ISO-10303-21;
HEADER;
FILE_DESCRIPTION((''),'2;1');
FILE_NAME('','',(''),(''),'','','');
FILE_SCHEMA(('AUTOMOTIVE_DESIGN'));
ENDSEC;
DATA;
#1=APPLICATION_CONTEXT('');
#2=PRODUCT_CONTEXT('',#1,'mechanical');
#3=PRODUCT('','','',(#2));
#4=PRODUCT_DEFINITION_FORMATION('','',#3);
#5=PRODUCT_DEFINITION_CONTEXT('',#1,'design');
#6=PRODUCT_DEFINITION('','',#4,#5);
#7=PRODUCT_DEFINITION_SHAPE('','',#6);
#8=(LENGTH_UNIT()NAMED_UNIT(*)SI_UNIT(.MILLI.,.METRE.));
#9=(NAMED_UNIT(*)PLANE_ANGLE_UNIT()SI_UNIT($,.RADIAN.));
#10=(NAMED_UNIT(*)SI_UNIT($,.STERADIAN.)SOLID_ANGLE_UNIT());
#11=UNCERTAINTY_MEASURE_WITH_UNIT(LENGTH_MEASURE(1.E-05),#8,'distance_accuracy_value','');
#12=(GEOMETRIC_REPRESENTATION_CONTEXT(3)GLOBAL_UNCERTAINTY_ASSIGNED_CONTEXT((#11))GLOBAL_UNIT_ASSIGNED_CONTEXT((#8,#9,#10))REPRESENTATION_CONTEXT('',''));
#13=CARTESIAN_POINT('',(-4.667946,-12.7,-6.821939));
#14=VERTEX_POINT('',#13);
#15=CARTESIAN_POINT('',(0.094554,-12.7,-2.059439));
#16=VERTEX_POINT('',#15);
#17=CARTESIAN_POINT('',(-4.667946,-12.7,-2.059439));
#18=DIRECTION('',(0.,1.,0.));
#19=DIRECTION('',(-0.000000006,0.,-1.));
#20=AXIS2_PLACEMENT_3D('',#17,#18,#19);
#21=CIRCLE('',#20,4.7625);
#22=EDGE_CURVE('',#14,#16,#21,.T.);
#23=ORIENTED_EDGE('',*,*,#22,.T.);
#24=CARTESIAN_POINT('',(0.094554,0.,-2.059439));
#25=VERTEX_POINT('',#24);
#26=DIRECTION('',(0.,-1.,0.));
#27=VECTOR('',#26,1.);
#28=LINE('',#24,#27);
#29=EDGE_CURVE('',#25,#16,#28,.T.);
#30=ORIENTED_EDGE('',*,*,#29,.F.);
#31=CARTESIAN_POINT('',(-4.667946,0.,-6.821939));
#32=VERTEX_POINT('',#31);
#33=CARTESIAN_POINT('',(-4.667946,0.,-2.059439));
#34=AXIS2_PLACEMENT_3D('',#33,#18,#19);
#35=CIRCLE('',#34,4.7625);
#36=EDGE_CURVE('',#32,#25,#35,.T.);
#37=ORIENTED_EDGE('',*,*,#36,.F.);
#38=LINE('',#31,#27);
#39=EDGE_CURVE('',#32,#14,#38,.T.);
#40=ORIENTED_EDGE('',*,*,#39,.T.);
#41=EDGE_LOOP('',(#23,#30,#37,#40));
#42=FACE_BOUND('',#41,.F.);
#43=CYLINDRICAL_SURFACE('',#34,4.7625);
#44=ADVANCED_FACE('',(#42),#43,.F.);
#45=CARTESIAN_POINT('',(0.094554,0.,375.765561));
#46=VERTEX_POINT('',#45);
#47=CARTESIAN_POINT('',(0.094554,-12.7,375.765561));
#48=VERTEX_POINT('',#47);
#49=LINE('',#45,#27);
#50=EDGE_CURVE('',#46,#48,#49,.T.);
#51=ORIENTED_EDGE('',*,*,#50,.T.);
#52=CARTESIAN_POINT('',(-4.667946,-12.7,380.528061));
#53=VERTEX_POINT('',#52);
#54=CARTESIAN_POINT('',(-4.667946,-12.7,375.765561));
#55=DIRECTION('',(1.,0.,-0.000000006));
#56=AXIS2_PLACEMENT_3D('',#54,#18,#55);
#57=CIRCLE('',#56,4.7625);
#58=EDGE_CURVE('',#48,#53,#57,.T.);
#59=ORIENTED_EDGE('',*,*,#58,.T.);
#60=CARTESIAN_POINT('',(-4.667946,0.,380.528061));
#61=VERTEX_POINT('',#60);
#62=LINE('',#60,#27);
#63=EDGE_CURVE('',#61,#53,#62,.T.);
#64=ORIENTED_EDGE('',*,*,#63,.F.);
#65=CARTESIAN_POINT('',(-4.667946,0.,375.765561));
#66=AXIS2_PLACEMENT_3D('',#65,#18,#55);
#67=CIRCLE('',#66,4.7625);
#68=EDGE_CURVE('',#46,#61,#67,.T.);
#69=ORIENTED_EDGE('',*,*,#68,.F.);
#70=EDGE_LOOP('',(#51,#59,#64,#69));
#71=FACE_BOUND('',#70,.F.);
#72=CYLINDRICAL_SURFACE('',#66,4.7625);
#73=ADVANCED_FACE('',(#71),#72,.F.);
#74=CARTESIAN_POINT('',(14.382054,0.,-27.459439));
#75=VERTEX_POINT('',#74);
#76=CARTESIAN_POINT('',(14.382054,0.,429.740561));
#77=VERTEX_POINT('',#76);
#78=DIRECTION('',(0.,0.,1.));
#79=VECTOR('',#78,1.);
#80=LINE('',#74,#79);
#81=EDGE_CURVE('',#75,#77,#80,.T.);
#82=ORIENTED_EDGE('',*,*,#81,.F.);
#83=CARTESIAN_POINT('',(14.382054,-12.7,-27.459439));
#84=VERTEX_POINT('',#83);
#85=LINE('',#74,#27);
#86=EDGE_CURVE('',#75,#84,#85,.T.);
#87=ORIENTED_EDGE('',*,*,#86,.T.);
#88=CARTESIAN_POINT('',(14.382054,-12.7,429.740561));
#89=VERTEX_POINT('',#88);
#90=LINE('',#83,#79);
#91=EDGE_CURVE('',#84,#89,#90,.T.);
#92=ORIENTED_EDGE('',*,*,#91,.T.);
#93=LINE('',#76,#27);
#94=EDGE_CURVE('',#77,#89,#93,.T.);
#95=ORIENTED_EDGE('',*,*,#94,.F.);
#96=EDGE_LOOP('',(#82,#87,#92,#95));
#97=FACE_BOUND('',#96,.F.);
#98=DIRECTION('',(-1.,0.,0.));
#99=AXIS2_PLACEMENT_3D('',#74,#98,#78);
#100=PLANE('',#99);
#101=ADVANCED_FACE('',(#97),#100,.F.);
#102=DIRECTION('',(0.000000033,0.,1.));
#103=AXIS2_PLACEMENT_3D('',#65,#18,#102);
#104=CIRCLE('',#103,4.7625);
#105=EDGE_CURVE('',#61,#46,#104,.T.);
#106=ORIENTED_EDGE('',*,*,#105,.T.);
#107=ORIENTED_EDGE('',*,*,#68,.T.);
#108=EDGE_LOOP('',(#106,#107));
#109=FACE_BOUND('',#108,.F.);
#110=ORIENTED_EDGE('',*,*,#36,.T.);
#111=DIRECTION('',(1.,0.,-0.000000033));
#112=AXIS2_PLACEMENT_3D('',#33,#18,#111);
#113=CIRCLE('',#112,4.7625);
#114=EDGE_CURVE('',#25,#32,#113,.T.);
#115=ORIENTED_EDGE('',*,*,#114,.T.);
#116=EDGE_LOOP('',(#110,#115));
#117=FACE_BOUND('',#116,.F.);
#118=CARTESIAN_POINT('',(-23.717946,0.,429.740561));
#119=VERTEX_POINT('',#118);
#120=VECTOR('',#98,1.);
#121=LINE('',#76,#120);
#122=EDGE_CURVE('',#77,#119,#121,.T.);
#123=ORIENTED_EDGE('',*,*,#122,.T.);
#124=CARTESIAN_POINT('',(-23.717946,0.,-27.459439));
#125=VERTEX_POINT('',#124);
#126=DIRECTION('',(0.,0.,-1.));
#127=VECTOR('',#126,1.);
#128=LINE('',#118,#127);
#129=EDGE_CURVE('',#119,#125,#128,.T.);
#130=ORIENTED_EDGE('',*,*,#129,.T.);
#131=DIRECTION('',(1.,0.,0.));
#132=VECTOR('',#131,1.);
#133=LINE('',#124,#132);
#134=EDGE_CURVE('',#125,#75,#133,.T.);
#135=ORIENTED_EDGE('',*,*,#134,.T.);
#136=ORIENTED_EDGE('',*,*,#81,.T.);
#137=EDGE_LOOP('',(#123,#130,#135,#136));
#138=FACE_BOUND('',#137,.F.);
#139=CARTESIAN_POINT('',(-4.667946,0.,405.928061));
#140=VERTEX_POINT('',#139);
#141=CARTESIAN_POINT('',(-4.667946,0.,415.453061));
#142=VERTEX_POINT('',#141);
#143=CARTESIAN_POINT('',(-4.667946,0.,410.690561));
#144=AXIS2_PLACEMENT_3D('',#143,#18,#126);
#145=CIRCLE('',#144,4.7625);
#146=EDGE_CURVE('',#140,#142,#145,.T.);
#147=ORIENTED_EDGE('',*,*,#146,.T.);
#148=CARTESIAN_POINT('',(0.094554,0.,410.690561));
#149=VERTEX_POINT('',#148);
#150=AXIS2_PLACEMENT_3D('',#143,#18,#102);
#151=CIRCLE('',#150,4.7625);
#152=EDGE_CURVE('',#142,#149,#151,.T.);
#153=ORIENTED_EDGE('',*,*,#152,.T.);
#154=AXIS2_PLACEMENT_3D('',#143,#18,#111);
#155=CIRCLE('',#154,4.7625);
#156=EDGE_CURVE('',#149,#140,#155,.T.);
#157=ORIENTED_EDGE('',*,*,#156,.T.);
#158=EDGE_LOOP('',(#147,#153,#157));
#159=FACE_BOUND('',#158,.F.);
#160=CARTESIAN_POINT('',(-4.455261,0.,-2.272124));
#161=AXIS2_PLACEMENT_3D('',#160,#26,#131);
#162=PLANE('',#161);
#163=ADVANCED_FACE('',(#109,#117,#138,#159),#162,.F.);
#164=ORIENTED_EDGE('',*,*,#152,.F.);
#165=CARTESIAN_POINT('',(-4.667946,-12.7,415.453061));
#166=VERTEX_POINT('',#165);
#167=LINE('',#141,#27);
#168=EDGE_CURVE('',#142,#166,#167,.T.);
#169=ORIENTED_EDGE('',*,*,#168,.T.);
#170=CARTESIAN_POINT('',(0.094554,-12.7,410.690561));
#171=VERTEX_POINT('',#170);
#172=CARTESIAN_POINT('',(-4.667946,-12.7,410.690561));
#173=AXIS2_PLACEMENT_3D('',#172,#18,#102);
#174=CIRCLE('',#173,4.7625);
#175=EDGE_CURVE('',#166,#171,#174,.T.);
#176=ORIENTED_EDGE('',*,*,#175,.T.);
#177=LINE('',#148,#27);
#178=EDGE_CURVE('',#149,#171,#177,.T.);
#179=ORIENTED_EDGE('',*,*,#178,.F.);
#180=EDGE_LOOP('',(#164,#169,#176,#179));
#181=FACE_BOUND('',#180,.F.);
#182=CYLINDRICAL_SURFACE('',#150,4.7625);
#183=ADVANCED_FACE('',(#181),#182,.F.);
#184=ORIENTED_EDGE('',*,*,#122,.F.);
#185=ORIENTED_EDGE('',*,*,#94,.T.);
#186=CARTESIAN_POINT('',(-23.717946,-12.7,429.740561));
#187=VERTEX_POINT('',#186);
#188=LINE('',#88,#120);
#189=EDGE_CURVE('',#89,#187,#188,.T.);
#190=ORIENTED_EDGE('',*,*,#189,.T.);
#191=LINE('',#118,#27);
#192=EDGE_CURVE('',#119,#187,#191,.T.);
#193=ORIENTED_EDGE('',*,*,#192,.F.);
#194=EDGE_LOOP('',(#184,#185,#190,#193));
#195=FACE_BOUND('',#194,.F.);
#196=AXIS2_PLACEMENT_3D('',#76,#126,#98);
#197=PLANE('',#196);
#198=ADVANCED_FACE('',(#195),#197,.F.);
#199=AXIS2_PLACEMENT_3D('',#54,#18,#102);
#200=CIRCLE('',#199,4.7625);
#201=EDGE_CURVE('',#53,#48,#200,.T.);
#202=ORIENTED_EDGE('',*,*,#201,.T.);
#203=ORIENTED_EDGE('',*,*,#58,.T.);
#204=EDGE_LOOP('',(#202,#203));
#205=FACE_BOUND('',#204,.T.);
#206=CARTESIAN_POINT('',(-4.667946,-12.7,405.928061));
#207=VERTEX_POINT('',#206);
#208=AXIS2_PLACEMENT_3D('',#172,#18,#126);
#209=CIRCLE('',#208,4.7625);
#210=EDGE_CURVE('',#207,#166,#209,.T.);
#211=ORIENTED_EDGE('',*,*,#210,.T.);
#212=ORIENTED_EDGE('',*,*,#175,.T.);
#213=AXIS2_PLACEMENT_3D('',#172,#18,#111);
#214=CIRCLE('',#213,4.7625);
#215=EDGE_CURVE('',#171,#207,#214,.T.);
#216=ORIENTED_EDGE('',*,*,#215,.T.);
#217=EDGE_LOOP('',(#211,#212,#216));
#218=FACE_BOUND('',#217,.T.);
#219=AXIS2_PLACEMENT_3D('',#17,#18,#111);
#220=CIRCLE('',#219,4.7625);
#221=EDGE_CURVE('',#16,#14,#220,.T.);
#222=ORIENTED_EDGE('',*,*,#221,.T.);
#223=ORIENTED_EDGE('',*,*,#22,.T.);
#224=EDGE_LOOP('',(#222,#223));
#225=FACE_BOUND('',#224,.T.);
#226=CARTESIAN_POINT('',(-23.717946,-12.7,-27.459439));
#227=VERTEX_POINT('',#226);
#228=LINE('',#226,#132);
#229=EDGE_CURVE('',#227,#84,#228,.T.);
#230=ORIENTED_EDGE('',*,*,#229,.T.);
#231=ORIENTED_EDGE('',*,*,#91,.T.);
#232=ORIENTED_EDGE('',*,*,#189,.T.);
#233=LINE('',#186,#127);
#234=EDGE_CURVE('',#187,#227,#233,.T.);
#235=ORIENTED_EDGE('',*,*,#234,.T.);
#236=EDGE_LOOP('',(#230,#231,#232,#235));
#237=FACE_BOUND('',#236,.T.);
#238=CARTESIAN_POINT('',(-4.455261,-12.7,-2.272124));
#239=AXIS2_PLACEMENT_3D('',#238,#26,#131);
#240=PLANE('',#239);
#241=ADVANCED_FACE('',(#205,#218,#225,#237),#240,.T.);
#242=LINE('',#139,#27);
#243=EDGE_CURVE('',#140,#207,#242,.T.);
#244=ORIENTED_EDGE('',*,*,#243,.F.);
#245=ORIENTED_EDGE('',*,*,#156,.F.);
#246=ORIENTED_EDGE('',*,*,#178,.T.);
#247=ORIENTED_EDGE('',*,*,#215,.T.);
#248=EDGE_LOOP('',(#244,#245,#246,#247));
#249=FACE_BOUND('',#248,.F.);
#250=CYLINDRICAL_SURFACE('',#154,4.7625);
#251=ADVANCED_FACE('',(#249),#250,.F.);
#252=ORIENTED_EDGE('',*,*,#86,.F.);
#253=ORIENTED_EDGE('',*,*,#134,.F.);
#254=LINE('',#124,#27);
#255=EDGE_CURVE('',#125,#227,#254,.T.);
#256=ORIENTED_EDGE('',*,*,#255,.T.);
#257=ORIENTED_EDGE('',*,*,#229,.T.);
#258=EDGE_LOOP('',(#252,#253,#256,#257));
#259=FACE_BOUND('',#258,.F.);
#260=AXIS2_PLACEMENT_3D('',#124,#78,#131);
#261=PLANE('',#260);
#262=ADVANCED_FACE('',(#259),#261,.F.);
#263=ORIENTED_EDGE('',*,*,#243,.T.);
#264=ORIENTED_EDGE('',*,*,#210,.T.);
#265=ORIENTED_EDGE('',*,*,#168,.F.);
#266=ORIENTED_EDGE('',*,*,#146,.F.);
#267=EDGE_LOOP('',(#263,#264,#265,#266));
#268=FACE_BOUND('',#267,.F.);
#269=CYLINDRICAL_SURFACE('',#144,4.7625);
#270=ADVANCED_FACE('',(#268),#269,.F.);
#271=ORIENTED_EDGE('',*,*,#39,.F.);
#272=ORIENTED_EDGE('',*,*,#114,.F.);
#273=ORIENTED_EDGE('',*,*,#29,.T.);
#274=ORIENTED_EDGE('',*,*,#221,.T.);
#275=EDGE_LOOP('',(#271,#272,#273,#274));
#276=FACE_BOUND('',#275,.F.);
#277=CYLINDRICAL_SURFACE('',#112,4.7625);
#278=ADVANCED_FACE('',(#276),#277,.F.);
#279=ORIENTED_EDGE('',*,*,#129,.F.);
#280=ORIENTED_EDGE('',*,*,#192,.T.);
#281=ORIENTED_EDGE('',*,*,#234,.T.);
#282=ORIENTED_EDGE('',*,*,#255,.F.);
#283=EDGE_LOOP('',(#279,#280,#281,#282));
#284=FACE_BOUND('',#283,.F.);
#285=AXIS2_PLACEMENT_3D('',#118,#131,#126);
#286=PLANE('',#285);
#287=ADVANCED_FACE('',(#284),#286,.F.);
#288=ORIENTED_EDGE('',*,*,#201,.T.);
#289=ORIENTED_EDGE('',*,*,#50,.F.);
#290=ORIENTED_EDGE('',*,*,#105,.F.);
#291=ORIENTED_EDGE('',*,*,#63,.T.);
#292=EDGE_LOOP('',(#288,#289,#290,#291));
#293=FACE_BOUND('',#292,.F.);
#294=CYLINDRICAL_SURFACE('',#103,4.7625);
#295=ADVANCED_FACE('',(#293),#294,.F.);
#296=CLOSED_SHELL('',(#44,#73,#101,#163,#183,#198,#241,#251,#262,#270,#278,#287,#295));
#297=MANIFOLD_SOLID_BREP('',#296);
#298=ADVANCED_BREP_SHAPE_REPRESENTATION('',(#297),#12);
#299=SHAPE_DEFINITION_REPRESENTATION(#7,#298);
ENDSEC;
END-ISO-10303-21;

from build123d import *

# Parameters (mm, degrees)
F1_DEPTH = 12.7


with BuildPart() as f1:
    # F0 (on Front) → F1 (new body)
    with BuildSketch(Plane.XZ):
        with BuildLine():
            ThreePointArc((0.094554, -2.059439), (-8.035542, 1.308157), (-4.667946, -6.821939))
            ThreePointArc((-4.667946, -6.821939), (-1.30035, -5.427035), (0.094554, -2.059439))
        make_face()
        with BuildLine():
            ThreePointArc((0.094554, 375.765561), (-1.30035, 379.133157), (-4.667946, 380.528061))
            ThreePointArc((-4.667946, 380.528061), (-8.035542, 372.397965), (0.094554, 375.765561))
        make_face()
        Polygon((-4.667946, 429.740561), (-23.717946, 429.740561), (-23.717946, -27.459439), (-4.667946, -27.459439), (14.382054, -27.459439), (14.382054, 429.740561), align=None)
        with BuildLine():
            ThreePointArc((0.094554, -2.059439), (-1.30035, -5.427035), (-4.667946, -6.821939))
            ThreePointArc((-4.667946, -6.821939), (-8.035542, 1.308157), (0.094554, -2.059439))
        make_face(mode=Mode.SUBTRACT)
        with BuildLine():
            ThreePointArc((0.094554, 375.765561), (-8.035542, 372.397965), (-4.667946, 380.528061))
            ThreePointArc((-4.667946, 380.528061), (-1.30035, 379.133157), (0.094554, 375.765561))
        make_face(mode=Mode.SUBTRACT)
        with BuildLine():
            ThreePointArc((-4.667946, 405.928061), (-9.430446, 410.690561), (-4.667946, 415.453061))
            ThreePointArc((-4.667946, 415.453061), (-1.30035, 414.058157), (0.094554, 410.690561))
            ThreePointArc((0.094554, 410.690561), (-1.30035, 407.322965), (-4.667946, 405.928061))
        make_face(mode=Mode.SUBTRACT)
    extrude(amount=F1_DEPTH)


solid = f1.part
